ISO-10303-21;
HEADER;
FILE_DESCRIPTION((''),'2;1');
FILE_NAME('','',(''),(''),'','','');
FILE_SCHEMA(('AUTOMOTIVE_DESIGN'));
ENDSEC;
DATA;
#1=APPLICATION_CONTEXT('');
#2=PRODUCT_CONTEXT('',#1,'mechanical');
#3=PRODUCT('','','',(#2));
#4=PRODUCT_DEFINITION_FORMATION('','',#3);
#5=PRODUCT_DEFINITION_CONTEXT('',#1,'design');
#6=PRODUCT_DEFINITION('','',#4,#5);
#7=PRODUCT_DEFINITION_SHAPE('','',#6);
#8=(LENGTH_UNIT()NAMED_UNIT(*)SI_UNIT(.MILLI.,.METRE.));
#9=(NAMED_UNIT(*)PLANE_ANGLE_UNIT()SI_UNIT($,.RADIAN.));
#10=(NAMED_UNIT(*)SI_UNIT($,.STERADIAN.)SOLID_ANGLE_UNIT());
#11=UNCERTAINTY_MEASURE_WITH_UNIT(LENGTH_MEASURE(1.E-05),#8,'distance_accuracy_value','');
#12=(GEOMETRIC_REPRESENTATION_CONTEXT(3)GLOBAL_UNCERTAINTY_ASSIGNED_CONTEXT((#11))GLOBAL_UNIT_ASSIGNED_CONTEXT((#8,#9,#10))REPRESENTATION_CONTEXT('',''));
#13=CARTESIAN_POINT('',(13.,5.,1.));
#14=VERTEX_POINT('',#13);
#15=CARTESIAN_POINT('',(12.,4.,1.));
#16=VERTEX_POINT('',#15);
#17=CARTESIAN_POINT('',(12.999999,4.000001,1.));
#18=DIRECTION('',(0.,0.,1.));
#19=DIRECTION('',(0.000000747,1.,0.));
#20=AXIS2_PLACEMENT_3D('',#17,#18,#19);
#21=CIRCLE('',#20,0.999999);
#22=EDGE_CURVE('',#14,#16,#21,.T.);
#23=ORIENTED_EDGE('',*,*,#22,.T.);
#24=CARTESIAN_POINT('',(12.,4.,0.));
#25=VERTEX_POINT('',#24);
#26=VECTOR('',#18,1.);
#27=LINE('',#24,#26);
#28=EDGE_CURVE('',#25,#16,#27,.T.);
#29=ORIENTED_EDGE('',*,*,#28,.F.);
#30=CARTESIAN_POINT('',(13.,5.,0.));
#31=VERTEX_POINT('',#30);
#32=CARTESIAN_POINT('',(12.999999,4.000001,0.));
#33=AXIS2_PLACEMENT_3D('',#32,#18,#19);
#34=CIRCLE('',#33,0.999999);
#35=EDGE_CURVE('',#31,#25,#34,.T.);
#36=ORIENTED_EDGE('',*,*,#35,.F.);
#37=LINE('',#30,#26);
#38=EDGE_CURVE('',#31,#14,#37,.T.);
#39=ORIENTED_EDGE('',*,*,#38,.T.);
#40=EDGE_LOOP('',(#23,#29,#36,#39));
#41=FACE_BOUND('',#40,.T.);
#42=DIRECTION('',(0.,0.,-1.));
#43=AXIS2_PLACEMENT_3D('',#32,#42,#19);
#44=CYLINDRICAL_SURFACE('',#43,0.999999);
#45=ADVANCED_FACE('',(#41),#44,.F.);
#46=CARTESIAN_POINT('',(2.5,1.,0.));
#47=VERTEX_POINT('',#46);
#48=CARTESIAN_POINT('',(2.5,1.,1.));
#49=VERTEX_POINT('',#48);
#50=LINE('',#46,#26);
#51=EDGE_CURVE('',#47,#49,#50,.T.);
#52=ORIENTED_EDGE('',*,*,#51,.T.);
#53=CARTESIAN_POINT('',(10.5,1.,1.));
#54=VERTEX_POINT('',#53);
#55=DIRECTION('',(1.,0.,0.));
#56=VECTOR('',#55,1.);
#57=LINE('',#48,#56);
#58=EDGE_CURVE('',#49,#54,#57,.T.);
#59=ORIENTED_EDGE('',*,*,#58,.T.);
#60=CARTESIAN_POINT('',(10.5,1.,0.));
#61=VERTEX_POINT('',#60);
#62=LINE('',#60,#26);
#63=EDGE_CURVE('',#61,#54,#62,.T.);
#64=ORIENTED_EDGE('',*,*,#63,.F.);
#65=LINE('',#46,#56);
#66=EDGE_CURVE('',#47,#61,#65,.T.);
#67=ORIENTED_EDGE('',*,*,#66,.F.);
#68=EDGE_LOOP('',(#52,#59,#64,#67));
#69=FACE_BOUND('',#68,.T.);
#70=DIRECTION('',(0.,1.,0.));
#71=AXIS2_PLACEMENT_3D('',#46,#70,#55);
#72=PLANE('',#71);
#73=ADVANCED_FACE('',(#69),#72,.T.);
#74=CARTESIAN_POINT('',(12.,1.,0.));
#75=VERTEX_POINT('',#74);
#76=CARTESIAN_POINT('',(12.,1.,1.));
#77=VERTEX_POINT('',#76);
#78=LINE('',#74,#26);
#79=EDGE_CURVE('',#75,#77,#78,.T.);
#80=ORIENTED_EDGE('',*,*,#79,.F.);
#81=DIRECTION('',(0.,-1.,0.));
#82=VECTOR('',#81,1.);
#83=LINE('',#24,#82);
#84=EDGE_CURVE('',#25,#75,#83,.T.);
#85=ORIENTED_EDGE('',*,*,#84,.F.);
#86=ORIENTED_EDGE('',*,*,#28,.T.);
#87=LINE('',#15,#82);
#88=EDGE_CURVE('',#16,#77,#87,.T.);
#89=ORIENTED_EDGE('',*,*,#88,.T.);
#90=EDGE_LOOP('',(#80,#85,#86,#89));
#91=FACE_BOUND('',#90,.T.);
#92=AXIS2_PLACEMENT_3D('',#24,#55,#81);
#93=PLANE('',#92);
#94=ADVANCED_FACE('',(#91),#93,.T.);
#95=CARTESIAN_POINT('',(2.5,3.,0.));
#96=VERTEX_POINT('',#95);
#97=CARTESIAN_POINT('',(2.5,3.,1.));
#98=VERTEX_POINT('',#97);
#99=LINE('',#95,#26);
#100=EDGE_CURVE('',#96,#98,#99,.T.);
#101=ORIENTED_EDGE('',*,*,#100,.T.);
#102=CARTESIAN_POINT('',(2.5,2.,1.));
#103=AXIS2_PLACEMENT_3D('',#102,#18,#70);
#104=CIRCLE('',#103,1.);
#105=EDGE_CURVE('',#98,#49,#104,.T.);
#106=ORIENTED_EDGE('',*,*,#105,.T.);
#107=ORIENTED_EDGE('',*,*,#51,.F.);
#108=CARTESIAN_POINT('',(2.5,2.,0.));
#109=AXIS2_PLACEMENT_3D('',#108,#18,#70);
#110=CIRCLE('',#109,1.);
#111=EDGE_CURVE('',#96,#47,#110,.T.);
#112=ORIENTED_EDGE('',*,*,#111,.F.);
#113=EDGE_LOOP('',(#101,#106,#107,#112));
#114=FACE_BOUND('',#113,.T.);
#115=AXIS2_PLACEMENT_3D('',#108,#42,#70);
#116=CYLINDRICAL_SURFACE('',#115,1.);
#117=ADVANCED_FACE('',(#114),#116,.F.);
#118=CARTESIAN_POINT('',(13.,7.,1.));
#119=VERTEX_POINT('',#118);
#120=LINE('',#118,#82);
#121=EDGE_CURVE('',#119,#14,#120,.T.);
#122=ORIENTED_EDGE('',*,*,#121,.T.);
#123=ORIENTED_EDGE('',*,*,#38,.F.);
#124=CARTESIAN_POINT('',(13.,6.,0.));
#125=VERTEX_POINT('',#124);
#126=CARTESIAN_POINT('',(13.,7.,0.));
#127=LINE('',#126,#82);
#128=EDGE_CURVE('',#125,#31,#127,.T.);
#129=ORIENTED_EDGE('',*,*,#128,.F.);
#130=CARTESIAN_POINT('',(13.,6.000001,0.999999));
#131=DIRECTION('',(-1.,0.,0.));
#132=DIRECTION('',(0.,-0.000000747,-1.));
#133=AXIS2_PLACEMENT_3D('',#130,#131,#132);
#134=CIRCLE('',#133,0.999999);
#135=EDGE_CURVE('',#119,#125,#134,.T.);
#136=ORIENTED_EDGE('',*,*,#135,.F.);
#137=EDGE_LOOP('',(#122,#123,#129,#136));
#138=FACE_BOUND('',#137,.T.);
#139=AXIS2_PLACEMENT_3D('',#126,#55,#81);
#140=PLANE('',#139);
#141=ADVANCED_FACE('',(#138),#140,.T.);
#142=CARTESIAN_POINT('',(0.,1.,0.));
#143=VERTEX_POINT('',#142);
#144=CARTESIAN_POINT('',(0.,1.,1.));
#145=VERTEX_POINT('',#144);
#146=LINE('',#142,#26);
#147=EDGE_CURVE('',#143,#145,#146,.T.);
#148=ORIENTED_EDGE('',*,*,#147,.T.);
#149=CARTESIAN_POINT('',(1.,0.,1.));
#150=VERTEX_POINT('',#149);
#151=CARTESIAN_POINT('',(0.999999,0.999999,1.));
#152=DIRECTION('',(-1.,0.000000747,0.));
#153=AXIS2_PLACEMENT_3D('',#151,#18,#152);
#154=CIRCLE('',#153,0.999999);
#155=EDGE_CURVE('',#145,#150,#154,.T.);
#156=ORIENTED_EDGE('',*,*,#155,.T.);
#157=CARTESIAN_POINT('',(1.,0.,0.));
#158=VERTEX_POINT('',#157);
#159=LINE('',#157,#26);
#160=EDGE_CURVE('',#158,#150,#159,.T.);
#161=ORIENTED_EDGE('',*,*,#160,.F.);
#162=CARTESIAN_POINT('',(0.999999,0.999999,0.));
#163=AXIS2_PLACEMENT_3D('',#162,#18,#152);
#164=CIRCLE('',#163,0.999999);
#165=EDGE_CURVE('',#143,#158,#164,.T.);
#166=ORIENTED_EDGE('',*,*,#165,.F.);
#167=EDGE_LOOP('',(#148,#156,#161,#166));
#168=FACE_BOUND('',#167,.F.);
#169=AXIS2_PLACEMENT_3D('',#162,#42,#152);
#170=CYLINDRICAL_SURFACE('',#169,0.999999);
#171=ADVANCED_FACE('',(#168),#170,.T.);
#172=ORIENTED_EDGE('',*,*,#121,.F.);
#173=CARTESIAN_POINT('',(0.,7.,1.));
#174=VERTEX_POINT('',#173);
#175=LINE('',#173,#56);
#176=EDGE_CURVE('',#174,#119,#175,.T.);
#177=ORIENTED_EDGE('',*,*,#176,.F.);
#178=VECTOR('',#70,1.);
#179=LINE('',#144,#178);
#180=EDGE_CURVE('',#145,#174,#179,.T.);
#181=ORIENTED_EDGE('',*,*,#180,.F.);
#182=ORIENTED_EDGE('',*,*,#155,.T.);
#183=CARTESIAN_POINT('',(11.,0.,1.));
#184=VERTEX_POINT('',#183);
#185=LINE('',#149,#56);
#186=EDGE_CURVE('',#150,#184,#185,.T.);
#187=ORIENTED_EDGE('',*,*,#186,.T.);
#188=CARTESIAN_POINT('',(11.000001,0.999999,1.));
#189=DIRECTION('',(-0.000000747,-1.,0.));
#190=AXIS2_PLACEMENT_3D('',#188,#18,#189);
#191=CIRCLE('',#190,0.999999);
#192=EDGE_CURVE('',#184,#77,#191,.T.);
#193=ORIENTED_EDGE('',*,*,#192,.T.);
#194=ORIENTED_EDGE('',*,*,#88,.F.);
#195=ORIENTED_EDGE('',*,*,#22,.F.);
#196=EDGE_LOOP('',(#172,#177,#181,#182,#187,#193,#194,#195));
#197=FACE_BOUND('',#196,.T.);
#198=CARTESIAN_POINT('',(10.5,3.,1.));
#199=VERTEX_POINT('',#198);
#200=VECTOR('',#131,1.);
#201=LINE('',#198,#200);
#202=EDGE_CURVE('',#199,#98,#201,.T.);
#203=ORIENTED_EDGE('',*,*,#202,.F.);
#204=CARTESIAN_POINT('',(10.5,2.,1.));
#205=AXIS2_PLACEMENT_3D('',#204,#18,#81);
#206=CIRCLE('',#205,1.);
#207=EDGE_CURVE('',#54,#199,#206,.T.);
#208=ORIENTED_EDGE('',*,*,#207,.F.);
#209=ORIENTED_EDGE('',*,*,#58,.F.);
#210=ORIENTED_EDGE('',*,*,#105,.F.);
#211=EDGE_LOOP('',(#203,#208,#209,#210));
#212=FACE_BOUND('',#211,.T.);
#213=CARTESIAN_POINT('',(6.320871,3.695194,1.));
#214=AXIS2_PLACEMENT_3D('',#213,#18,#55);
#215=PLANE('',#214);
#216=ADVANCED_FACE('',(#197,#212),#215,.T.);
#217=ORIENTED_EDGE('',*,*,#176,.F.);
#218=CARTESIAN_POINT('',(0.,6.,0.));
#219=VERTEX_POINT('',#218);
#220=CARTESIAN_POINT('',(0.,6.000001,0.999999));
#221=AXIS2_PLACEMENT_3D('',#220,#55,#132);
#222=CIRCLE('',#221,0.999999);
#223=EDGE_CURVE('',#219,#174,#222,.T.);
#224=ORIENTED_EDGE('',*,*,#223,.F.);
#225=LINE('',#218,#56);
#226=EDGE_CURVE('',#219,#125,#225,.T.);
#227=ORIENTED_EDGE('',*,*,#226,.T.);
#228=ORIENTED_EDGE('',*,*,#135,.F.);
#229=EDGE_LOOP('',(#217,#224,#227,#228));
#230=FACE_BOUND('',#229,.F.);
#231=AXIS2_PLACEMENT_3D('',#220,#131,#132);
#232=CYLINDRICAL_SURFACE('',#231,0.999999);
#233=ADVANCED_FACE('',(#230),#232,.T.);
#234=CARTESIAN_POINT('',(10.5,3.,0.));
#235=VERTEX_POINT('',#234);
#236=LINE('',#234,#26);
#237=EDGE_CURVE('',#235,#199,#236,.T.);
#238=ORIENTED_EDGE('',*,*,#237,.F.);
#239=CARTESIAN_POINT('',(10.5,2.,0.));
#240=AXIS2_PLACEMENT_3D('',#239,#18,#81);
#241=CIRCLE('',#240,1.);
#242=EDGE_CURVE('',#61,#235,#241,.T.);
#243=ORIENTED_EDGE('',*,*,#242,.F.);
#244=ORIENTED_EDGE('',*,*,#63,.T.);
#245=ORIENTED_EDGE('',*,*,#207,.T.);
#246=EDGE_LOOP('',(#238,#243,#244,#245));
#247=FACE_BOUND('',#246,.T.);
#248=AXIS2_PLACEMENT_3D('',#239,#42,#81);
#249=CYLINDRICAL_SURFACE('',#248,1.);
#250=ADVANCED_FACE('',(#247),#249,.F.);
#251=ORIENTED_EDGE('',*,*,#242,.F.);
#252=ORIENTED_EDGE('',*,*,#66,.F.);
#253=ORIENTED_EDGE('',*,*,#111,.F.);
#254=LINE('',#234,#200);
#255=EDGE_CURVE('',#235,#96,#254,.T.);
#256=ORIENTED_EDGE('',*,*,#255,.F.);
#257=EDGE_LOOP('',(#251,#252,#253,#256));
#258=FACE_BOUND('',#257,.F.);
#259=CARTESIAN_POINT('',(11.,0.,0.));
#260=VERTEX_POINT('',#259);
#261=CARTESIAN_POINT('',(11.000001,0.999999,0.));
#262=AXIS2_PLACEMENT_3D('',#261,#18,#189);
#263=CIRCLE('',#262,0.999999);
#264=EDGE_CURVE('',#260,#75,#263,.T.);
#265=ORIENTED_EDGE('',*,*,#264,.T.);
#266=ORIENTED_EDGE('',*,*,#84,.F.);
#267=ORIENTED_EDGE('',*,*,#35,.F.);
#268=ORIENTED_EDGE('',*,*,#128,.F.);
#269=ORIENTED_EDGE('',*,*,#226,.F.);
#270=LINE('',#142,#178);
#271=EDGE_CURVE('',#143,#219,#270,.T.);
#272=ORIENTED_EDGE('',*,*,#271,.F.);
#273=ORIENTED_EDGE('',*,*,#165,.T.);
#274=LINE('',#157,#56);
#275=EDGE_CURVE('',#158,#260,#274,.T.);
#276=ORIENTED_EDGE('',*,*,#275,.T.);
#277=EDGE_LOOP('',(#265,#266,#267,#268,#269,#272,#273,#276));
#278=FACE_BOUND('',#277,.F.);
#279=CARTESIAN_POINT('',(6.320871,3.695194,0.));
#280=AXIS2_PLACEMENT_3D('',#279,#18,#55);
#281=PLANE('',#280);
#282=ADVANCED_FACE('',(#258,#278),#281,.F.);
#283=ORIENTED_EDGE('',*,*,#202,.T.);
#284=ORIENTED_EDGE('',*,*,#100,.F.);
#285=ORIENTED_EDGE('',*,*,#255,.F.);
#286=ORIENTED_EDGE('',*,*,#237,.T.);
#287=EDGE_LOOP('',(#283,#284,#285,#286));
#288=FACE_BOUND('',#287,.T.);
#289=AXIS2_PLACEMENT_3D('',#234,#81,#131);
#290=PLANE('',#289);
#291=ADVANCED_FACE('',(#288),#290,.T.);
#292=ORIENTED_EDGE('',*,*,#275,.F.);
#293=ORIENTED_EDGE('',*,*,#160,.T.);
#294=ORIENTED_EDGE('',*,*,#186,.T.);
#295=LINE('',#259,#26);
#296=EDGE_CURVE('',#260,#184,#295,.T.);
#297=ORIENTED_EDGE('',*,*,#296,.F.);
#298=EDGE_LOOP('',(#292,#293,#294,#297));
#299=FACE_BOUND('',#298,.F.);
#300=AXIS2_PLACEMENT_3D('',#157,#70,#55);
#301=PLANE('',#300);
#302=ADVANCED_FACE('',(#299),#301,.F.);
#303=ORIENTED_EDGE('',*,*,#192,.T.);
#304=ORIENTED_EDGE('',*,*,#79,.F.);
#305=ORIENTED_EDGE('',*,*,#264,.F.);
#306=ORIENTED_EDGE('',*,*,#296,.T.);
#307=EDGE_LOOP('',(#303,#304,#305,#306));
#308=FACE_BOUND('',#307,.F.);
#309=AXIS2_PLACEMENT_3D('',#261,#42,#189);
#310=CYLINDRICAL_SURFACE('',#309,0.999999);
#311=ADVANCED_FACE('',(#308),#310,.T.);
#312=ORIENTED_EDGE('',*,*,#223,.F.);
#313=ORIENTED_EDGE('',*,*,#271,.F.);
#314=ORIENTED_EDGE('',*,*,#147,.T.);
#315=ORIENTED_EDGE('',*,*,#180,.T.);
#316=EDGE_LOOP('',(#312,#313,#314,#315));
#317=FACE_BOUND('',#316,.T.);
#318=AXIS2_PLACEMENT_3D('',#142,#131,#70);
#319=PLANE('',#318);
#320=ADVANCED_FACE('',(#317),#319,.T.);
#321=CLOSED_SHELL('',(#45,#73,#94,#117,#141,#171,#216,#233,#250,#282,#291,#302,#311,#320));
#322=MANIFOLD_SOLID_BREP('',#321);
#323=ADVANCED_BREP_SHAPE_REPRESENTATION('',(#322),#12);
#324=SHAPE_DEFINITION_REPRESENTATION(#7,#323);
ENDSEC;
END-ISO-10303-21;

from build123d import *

# Parameters (mm, degrees)
EXTRUDE072_DEPTH = 15
EXTRUDE068_DEPTH = 1
EXTRUDE067_DEPTH = 1


with BuildPart() as extrude072:
    # Sketch269 → Extrude072 (new body)
    with BuildSketch(Plane.YZ):
        with BuildLine():
            ThreePointArc((6, 0), (6.707107, 0.292893), (7, 1))
            Line((7, 1), (7, 0))
            Line((6, 0), (7, 0))
        make_face()
    extrude(amount=EXTRUDE072_DEPTH)


with BuildPart() as extrude068:
    # Sketch265 → Extrude068 (new body)
    with BuildSketch(Plane.XY):
        with BuildLine():
            ThreePointArc((10.5, 1), (11.5, 2), (10.5, 3))
            Line((10.5, 3), (2.5, 3))
            ThreePointArc((2.5, 3), (1.5, 2), (2.5, 1))
            Line((2.5, 1), (10.5, 1))
        make_face()
    extrude(amount=EXTRUDE068_DEPTH)


with BuildPart() as cut043:
    # Sketch264 → Extrude067 (new body)
    with BuildSketch(Plane.XY):
        with BuildLine():
            ThreePointArc((0, 1), (0.292893, 0.292893), (1, 0))
            Line((1, 0), (11, 0))
            ThreePointArc((11, 0), (11.707107, 0.292893), (12, 1))
            Line((12, 4), (12, 1))
            ThreePointArc((13, 5), (12.292893, 4.707107), (12, 4))
            Line((13, 7), (13, 5))
            Line((0, 7), (13, 7))
            Line((0, 1), (0, 7))
        make_face()
    extrude(amount=EXTRUDE067_DEPTH)

    # Cut040: cut Extrude068
    add(extrude068.part, mode=Mode.SUBTRACT)

    # Cut043: cut Extrude072
    add(extrude072.part, mode=Mode.SUBTRACT)


solid = cut043.part
